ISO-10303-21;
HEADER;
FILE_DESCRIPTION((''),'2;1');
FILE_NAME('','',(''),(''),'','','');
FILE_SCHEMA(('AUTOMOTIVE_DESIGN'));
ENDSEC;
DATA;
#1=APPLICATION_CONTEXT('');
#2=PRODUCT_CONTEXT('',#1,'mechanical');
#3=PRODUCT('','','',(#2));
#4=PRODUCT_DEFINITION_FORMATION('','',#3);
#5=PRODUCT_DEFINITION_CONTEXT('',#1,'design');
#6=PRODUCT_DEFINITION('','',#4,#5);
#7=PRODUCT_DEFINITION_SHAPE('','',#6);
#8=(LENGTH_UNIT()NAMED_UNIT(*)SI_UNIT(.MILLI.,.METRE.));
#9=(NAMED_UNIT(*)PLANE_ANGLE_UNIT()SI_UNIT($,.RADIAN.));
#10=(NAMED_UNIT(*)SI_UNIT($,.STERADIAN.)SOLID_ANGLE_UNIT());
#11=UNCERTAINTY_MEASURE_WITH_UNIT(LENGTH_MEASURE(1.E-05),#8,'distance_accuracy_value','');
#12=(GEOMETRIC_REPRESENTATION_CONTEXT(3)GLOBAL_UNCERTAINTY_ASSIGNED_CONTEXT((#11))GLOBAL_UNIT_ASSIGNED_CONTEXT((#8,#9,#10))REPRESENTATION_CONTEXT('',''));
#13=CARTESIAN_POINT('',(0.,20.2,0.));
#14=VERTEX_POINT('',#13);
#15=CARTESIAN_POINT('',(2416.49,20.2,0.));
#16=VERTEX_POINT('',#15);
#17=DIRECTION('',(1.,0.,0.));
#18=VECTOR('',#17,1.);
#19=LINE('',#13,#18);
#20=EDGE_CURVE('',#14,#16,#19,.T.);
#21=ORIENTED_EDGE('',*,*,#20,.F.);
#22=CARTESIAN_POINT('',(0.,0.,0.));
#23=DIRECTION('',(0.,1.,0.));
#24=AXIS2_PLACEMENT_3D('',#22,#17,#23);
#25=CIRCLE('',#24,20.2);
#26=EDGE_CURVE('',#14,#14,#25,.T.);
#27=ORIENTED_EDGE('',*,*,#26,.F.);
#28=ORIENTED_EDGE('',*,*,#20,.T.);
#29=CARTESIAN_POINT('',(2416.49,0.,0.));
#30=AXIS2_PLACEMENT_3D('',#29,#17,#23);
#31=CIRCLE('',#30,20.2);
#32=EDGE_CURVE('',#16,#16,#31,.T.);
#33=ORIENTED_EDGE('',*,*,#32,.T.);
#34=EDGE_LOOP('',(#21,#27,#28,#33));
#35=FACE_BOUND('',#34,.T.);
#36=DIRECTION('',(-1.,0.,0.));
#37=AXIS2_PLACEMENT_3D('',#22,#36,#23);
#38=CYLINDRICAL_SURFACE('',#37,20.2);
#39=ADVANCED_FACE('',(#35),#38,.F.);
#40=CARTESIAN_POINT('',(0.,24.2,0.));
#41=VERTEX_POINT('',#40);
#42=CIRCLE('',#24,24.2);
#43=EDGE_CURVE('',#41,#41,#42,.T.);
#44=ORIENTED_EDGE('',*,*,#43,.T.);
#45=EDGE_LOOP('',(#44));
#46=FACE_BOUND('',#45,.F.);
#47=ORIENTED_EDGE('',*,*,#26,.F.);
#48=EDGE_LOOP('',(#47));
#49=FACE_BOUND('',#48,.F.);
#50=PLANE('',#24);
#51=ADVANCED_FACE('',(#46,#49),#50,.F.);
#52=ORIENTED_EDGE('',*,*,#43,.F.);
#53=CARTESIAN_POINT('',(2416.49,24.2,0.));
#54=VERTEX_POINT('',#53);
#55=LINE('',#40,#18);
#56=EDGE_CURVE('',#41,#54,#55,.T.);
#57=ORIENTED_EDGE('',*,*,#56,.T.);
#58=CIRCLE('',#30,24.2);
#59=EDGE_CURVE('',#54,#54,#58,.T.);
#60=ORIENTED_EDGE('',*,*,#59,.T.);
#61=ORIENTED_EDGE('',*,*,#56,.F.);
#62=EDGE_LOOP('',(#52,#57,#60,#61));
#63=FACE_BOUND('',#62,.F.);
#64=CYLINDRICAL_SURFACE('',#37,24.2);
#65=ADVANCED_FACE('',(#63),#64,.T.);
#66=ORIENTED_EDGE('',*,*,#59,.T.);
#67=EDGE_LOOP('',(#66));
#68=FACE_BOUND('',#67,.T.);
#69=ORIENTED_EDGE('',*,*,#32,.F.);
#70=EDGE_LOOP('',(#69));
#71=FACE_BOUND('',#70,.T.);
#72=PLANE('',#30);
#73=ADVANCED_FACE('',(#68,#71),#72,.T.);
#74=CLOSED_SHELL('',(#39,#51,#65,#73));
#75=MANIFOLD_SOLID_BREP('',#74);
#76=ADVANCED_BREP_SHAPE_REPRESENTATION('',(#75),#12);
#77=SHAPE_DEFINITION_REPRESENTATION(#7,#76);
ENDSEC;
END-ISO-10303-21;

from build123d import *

# Parameters (mm, degrees)
F0_R     = 24.2
F1_DEPTH = 2416.49
F2_T     = -4


with BuildPart() as f1:
    # F0 (on Right) → F1 (new body)
    with BuildSketch(Plane.YZ):
        Circle(F0_R)
    extrude(amount=F1_DEPTH)

    # F2
    f2_openings = [f1.faces().sort_by_distance(p)[0] for p in [
        (2416.49, 0, 0),
        (0, 0, 0),
    ]]
    offset(amount=F2_T, openings=f2_openings)


solid = f1.part
